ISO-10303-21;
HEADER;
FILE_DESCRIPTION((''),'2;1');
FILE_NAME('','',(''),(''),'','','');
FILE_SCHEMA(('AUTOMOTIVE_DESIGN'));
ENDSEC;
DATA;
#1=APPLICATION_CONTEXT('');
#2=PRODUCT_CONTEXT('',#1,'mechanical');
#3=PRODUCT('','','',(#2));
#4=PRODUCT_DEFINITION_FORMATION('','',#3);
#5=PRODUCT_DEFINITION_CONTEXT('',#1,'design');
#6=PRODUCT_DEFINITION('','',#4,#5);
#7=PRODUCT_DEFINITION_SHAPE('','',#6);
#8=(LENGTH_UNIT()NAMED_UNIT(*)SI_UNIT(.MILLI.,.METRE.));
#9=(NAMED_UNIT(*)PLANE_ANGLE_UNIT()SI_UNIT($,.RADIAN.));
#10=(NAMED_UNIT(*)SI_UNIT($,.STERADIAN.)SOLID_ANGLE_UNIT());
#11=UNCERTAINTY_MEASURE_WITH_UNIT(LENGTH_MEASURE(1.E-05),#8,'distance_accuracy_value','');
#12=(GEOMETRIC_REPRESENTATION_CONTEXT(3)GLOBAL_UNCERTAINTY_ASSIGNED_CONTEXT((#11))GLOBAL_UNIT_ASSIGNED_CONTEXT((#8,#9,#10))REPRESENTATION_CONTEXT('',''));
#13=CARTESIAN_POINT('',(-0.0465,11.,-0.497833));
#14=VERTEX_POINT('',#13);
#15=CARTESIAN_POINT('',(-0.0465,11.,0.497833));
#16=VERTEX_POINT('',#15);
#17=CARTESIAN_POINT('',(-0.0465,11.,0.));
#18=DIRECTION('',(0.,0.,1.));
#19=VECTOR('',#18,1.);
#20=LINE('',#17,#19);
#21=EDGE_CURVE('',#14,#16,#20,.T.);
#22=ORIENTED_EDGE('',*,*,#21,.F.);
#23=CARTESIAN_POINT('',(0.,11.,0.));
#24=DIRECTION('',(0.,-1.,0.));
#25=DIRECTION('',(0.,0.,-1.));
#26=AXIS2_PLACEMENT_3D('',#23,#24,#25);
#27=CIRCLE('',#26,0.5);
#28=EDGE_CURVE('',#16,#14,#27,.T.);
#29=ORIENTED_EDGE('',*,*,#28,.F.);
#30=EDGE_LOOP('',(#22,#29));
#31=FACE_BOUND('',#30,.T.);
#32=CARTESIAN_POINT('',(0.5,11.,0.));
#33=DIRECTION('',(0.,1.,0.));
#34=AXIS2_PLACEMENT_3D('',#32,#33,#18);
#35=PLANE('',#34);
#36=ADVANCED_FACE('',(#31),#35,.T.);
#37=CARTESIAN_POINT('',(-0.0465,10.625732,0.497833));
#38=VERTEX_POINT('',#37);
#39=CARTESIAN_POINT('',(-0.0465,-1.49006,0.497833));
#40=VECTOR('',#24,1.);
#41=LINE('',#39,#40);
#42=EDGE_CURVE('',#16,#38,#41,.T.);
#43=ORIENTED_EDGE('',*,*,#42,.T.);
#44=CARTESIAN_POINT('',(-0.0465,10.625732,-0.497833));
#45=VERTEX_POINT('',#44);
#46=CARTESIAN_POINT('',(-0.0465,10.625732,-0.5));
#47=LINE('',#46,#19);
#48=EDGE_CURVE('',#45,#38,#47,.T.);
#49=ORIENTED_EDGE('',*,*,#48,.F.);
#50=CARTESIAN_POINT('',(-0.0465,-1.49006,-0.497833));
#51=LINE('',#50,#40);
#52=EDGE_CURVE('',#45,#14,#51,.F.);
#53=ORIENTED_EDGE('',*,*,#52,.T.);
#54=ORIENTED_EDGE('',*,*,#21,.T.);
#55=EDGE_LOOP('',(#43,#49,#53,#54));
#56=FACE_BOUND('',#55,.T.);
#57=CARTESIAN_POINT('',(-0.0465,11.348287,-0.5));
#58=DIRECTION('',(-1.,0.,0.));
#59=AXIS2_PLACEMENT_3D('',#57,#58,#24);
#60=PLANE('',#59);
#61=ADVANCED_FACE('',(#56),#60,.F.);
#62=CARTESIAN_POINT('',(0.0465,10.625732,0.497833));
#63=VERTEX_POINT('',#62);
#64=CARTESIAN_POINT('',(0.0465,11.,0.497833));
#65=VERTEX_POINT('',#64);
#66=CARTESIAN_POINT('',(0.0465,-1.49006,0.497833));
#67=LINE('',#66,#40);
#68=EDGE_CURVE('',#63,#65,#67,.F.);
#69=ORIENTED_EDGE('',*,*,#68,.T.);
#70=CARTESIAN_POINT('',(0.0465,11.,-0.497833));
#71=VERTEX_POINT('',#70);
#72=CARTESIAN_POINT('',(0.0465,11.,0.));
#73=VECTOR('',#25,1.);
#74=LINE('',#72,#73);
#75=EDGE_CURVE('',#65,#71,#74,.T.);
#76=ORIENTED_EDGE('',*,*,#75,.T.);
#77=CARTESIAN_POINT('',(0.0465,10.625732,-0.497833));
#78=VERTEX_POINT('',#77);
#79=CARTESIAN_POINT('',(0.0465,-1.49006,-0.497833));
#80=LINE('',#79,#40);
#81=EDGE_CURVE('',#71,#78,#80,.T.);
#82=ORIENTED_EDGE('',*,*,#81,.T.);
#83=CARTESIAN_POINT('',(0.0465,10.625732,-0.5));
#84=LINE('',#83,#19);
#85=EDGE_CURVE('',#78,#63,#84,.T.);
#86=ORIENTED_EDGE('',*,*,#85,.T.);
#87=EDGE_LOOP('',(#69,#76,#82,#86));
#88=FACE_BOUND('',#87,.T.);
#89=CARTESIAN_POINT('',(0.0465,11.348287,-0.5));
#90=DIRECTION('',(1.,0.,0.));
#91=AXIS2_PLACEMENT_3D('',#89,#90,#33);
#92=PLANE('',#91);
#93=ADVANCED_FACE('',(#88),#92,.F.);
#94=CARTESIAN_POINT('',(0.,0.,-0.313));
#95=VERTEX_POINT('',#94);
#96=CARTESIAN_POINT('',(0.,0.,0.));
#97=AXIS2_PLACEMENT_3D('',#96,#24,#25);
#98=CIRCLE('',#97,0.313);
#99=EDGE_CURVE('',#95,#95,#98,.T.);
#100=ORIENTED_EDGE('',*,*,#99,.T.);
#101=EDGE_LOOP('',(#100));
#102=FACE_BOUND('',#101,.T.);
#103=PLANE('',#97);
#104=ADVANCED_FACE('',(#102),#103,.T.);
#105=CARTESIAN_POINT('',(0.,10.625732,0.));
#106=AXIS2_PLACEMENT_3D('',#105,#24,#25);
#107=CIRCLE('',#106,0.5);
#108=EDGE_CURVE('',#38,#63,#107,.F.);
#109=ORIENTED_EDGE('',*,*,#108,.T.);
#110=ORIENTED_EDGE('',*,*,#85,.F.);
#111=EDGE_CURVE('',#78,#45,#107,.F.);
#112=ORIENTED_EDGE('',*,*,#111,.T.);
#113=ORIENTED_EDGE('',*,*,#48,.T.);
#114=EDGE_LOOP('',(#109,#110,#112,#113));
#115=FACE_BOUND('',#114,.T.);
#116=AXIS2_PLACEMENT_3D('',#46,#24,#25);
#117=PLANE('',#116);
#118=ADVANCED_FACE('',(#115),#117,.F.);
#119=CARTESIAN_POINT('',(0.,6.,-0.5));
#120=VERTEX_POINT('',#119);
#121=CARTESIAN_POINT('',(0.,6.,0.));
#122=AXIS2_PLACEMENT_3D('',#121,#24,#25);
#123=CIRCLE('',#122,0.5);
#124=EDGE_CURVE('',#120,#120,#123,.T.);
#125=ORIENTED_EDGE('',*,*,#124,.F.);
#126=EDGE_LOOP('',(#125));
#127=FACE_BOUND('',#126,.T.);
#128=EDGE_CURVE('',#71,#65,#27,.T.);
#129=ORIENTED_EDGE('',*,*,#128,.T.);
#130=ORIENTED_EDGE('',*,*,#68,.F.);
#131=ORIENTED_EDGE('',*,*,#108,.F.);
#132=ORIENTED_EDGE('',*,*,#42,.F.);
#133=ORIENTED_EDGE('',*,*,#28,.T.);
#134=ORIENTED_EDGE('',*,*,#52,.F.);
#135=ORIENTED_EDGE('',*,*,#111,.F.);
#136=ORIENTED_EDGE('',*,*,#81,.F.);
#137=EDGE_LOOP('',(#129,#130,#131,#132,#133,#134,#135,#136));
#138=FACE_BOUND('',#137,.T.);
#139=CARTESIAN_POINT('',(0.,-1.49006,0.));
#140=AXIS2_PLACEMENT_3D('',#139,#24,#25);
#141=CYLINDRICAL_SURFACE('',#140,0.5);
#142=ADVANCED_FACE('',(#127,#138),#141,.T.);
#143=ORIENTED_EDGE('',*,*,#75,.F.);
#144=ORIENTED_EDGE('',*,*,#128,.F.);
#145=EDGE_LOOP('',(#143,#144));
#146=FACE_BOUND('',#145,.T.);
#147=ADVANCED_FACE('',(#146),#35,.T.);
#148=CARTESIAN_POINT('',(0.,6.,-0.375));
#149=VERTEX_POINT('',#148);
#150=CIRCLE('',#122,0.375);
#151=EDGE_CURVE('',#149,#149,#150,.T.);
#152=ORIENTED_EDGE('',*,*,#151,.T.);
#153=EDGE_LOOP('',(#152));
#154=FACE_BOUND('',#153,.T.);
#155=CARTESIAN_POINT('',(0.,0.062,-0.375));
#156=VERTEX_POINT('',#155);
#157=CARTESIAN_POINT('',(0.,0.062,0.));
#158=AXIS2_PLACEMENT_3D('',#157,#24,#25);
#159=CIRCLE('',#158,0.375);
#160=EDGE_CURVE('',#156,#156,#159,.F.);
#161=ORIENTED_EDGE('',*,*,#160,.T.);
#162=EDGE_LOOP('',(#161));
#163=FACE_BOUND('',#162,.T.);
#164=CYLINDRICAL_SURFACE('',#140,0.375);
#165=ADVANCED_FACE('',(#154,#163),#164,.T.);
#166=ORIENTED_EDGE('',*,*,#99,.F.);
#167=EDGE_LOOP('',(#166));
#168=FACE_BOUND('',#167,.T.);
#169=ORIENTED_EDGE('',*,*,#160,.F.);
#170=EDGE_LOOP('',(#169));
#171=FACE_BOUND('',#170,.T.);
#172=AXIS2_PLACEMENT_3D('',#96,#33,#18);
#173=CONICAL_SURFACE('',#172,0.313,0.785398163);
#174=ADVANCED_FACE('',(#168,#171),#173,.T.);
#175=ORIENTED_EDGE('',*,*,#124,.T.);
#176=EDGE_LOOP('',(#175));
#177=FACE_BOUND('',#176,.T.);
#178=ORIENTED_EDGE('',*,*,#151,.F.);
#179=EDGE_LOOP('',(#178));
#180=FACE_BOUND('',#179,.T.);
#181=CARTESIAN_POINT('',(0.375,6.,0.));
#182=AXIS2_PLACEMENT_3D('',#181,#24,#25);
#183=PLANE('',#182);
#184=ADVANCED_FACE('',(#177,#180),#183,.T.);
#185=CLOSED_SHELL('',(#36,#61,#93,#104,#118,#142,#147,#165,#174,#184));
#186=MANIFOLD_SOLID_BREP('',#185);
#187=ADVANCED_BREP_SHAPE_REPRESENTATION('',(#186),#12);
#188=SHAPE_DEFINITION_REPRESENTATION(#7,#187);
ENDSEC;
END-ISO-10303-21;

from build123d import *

# Parameters (mm, degrees)
SKETCH2_W               = 0.093
SKETCH2_H               = 0.722554603
CUT_EXTRUDE1_DEPTH      = 1.5
CUT_EXTRUDE1_DEPTH_BACK = 1.5
CHAMFER1_SIZE           = 0.062


with BuildPart() as part:
    # Sketch1 → Revolve1 (revolve)
    with BuildSketch(Plane.XY):
        Polygon((0, 0), (0.375, 0), (0.375, 6), (0.5, 6), (0.5, 11), (0, 11), align=None)
    revolve(axis=Axis((0, -1.490059703, 0), (0, 1, 0)))

    # Sketch2 → Cut-Extrude1 (cut, two sides)
    with BuildSketch(Plane.XY) as cut_extrude1_sk:
        with Locations((0, 10.987009479)):
            Rectangle(SKETCH2_W, SKETCH2_H)
    extrude(amount=CUT_EXTRUDE1_DEPTH, mode=Mode.SUBTRACT)
    extrude(cut_extrude1_sk.sketch, amount=-CUT_EXTRUDE1_DEPTH_BACK, mode=Mode.SUBTRACT)

    # Chamfer1
    chamfer1_edges = [part.edges().sort_by_distance(p)[0] for p in [
        (-0.375, 0, 0),
    ]]
    chamfer(chamfer1_edges, length=CHAMFER1_SIZE)


solid = part.part
